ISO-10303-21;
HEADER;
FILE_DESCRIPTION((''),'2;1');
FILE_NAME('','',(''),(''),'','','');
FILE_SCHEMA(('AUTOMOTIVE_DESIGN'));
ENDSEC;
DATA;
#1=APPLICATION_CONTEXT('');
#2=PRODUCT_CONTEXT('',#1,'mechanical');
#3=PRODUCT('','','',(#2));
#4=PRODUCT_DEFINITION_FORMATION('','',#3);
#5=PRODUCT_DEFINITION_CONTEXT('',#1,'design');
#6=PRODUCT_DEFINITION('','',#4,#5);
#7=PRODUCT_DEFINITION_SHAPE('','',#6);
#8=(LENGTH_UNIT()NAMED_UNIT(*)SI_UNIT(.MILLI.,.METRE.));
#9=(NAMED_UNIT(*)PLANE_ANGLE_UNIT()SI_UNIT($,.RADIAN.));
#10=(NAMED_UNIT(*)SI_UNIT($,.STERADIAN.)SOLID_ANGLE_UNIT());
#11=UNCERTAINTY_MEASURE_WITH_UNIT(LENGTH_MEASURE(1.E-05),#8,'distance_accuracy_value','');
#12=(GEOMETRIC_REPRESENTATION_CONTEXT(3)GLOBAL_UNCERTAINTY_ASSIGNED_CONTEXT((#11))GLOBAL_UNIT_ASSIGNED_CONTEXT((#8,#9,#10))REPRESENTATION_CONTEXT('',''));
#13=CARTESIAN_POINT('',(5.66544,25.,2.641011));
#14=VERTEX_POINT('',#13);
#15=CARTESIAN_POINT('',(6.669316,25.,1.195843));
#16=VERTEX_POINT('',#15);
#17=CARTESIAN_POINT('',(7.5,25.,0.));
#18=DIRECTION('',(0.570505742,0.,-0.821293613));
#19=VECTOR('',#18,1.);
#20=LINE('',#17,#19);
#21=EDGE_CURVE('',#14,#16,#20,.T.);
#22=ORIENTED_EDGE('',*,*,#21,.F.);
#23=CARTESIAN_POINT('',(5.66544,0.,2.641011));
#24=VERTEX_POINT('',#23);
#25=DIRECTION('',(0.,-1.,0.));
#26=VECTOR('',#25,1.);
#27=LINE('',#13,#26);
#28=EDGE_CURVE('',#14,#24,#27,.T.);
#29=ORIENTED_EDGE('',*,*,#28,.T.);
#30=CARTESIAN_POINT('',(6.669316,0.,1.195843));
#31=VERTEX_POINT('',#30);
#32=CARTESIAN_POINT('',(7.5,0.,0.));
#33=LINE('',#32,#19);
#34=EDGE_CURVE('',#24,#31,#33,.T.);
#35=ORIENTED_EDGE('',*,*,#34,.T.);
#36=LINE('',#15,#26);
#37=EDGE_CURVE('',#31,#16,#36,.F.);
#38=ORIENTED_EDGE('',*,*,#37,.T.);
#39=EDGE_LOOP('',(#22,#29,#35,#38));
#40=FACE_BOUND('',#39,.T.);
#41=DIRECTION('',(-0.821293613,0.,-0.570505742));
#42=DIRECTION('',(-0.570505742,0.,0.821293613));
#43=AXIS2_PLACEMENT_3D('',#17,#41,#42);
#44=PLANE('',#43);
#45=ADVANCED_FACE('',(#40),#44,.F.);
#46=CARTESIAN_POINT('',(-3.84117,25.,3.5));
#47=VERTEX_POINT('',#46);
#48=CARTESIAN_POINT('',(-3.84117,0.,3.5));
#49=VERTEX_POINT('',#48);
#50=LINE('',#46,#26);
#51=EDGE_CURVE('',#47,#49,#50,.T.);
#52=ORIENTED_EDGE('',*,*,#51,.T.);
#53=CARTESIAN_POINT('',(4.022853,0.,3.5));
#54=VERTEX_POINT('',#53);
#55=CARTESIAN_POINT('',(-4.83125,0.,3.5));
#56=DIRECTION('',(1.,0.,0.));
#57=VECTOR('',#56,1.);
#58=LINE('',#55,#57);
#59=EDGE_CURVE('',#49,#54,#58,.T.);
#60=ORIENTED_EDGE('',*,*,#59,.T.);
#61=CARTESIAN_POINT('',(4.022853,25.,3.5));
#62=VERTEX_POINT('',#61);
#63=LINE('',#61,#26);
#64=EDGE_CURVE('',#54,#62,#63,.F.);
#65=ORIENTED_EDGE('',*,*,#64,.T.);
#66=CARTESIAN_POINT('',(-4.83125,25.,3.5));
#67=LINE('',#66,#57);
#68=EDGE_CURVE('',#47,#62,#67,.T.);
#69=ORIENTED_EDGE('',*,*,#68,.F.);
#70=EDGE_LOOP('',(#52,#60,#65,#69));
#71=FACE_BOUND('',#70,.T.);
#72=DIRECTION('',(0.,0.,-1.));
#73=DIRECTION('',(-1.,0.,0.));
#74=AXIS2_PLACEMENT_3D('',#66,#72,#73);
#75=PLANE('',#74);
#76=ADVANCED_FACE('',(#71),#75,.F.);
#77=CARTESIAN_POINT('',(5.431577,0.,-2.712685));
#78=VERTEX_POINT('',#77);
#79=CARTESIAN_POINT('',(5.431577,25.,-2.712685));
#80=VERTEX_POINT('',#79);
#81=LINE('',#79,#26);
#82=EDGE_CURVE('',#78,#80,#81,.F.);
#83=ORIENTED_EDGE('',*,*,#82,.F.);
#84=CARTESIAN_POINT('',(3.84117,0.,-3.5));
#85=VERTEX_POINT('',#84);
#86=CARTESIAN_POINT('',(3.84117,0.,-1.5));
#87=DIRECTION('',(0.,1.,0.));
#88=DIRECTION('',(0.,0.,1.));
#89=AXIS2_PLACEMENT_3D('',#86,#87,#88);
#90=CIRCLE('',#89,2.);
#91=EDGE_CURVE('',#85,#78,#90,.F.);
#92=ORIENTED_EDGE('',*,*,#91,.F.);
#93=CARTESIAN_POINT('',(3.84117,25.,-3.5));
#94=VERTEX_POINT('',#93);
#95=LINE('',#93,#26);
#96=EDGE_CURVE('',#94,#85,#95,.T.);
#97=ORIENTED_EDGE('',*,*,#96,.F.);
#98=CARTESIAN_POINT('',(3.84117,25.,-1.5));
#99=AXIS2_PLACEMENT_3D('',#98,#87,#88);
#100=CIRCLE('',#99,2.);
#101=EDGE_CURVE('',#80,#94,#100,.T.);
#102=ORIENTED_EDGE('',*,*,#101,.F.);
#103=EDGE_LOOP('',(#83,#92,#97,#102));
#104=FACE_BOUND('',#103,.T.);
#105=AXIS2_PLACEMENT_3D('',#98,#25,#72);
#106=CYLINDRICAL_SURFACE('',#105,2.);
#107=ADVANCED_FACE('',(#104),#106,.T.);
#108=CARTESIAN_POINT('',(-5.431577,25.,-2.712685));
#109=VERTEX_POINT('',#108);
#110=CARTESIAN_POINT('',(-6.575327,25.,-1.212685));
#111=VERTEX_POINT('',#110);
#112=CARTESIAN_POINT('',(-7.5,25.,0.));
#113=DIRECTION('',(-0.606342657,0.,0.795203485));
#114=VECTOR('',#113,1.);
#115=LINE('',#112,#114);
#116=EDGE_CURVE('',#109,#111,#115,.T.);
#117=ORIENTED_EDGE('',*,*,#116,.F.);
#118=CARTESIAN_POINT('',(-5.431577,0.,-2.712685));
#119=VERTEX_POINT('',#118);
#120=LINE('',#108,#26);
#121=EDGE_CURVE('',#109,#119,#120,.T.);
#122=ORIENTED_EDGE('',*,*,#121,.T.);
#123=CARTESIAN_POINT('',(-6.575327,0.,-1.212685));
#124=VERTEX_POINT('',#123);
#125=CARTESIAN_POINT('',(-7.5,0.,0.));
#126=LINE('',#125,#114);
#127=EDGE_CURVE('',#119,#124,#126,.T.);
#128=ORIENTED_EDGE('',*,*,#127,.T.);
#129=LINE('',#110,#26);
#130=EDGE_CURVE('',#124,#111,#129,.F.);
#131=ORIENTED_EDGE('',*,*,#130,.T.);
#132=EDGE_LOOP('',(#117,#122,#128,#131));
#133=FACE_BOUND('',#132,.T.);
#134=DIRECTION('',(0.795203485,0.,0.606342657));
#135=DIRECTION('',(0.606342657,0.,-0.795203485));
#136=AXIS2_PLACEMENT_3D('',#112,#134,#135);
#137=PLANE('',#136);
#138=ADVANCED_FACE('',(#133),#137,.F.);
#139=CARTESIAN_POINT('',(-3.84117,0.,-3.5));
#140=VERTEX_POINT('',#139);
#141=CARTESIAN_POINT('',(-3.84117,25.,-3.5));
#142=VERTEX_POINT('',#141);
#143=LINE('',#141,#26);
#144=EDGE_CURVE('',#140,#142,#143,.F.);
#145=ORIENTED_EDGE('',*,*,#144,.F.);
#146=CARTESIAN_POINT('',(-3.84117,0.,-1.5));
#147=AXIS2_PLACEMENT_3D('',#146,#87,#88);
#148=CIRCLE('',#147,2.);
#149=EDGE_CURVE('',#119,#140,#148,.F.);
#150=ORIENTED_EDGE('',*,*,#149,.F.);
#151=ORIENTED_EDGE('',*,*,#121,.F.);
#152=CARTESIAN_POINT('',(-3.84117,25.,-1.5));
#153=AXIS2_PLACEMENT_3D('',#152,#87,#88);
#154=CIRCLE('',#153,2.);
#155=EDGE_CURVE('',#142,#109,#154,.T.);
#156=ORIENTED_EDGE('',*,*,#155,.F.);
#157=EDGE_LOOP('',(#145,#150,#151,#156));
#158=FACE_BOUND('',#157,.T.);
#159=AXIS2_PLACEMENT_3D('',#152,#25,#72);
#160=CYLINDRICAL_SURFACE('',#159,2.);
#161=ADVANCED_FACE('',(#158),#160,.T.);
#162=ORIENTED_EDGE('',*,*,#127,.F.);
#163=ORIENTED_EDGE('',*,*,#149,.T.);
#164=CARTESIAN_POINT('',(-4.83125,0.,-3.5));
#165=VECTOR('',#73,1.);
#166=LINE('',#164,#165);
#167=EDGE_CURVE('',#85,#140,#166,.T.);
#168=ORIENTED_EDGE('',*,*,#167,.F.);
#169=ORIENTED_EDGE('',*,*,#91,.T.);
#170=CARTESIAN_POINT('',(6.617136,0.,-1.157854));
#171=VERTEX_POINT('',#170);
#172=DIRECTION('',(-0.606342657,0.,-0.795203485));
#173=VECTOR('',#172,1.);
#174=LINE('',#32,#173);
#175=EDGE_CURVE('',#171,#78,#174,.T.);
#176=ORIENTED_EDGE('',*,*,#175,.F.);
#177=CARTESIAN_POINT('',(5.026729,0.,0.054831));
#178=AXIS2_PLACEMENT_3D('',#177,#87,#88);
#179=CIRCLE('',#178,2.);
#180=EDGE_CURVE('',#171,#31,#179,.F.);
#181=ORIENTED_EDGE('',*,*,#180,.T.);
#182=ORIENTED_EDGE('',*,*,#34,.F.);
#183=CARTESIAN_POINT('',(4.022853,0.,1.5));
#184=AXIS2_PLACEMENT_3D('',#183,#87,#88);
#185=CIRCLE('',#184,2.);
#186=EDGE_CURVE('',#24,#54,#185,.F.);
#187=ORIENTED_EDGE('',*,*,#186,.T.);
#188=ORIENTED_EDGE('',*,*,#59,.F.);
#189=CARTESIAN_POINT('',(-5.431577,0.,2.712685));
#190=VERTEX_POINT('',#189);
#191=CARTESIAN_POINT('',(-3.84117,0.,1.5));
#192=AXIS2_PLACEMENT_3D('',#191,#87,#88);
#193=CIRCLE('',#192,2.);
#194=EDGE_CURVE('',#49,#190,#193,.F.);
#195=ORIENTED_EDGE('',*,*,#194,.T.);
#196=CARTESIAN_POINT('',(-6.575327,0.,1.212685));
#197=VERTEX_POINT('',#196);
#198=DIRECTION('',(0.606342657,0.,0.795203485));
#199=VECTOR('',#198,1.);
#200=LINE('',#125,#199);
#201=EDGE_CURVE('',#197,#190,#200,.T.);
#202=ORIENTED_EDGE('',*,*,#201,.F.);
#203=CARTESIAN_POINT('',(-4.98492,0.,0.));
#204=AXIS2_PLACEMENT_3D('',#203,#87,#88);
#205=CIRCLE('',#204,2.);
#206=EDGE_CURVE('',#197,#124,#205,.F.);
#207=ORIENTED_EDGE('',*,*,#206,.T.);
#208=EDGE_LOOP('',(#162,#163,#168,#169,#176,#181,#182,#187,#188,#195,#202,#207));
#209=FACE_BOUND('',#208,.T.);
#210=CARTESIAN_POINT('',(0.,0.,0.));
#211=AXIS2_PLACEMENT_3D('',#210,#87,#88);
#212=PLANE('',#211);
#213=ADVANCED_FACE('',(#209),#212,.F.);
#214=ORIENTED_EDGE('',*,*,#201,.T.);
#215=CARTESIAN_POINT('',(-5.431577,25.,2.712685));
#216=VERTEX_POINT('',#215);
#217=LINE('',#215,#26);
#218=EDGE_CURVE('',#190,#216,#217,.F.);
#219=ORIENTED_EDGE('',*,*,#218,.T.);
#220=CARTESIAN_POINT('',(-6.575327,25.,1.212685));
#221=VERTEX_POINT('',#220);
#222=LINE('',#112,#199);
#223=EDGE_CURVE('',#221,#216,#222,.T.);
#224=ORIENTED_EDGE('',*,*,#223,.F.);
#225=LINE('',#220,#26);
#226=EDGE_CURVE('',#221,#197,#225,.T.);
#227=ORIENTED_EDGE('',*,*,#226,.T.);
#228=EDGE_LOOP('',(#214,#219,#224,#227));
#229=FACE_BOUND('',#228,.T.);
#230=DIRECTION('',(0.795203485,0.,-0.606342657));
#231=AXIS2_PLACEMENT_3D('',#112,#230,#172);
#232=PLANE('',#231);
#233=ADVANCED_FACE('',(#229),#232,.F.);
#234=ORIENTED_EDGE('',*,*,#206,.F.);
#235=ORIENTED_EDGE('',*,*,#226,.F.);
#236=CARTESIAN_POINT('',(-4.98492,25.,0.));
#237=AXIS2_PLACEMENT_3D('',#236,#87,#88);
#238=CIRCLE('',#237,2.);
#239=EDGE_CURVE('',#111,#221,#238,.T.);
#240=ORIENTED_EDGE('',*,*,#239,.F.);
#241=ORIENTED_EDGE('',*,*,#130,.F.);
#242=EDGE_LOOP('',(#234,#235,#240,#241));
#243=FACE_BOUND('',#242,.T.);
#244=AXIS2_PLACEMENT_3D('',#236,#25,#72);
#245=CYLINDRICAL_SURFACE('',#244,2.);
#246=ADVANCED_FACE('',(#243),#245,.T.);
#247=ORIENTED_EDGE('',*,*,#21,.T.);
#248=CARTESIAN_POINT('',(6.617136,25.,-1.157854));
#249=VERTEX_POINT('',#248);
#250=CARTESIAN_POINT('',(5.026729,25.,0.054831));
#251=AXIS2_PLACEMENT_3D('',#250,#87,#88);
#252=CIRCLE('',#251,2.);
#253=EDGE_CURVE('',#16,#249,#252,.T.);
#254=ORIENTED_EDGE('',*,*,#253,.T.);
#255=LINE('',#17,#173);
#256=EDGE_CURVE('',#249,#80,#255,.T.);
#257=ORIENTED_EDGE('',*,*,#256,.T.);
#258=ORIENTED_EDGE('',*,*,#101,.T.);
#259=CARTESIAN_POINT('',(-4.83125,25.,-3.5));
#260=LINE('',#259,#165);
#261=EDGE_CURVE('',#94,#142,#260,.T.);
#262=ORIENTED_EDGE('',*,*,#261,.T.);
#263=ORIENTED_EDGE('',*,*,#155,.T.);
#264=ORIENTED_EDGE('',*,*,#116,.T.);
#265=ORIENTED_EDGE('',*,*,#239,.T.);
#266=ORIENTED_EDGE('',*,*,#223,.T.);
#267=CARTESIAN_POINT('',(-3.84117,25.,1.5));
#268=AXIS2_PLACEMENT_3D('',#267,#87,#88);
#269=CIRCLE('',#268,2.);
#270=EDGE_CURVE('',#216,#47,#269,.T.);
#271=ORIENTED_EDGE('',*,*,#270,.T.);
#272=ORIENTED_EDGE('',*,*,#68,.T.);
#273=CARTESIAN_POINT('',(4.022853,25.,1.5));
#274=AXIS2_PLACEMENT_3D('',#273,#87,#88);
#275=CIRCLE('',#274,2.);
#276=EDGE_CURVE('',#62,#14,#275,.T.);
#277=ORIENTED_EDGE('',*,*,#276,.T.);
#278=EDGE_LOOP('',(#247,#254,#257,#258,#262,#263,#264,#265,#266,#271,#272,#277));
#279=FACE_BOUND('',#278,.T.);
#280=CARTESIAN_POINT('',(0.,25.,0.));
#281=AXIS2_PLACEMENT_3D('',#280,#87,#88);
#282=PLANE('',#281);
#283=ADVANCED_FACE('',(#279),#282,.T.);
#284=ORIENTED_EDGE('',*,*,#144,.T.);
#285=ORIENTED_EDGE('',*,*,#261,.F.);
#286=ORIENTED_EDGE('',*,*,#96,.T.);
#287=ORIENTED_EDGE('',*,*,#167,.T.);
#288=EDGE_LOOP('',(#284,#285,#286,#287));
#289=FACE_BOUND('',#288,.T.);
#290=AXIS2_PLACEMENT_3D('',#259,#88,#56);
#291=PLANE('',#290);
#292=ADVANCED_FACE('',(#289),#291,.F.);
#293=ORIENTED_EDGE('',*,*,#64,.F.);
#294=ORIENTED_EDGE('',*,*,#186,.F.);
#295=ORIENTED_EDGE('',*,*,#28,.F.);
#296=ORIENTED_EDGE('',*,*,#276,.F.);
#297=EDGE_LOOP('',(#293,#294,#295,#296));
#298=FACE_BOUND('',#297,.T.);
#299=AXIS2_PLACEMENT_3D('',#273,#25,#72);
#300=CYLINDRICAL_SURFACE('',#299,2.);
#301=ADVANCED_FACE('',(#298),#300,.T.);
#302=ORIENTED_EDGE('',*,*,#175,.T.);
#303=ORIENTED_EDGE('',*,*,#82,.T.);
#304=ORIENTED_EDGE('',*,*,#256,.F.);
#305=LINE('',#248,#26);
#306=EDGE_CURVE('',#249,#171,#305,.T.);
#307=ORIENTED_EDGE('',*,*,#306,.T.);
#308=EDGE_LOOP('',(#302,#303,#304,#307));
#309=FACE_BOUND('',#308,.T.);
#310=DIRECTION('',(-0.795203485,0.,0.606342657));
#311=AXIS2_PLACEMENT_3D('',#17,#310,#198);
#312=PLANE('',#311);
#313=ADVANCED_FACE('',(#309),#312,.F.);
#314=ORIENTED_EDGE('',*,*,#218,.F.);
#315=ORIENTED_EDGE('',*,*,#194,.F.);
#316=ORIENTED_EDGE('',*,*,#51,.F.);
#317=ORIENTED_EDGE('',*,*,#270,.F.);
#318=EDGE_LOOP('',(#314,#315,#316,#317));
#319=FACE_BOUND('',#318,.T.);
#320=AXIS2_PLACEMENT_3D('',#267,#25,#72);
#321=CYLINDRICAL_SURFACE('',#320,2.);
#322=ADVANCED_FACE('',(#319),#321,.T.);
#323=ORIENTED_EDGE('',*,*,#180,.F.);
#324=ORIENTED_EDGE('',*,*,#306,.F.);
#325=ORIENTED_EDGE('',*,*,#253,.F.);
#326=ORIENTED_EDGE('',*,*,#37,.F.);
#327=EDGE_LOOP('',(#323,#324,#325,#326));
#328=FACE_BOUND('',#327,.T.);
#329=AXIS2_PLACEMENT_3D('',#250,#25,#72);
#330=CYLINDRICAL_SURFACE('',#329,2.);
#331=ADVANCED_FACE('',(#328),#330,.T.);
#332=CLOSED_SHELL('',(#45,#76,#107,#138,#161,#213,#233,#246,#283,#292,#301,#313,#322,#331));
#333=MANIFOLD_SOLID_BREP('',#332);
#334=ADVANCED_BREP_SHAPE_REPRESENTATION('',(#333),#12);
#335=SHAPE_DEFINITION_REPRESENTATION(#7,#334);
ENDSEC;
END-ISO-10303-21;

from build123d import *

# Parameters (mm, degrees)
BOSS_EXTRUDE1_DEPTH = 25
FILLET1_R           = 2


with BuildPart() as part:
    # Sketch1 → Boss-Extrude1 (new body)
    with BuildSketch(Plane(origin=(0, 0, 0), x_dir=(1, 0, 0), z_dir=(0, 1, 0))):
        Polygon((-7.5, 0), (-4.83125, 3.5), (4.83125, 3.5), (7.5, 0), (5.06875, -3.5), (-4.83125, -3.5), align=None)
    extrude(amount=BOSS_EXTRUDE1_DEPTH)

    # Fillet1
    fillet1_edges = [part.edges().sort_by_distance(p)[0] for p in [
        (-7.5, 12.5, 0),
        (-4.83125, 12.5, -3.5),
        (4.83125, 12.5, -3.5),
        (7.5, 12.5, 0),
        (5.06875, 12.5, 3.5),
        (-4.83125, 12.5, 3.5),
    ]]
    fillet(fillet1_edges, radius=FILLET1_R)


solid = part.part
